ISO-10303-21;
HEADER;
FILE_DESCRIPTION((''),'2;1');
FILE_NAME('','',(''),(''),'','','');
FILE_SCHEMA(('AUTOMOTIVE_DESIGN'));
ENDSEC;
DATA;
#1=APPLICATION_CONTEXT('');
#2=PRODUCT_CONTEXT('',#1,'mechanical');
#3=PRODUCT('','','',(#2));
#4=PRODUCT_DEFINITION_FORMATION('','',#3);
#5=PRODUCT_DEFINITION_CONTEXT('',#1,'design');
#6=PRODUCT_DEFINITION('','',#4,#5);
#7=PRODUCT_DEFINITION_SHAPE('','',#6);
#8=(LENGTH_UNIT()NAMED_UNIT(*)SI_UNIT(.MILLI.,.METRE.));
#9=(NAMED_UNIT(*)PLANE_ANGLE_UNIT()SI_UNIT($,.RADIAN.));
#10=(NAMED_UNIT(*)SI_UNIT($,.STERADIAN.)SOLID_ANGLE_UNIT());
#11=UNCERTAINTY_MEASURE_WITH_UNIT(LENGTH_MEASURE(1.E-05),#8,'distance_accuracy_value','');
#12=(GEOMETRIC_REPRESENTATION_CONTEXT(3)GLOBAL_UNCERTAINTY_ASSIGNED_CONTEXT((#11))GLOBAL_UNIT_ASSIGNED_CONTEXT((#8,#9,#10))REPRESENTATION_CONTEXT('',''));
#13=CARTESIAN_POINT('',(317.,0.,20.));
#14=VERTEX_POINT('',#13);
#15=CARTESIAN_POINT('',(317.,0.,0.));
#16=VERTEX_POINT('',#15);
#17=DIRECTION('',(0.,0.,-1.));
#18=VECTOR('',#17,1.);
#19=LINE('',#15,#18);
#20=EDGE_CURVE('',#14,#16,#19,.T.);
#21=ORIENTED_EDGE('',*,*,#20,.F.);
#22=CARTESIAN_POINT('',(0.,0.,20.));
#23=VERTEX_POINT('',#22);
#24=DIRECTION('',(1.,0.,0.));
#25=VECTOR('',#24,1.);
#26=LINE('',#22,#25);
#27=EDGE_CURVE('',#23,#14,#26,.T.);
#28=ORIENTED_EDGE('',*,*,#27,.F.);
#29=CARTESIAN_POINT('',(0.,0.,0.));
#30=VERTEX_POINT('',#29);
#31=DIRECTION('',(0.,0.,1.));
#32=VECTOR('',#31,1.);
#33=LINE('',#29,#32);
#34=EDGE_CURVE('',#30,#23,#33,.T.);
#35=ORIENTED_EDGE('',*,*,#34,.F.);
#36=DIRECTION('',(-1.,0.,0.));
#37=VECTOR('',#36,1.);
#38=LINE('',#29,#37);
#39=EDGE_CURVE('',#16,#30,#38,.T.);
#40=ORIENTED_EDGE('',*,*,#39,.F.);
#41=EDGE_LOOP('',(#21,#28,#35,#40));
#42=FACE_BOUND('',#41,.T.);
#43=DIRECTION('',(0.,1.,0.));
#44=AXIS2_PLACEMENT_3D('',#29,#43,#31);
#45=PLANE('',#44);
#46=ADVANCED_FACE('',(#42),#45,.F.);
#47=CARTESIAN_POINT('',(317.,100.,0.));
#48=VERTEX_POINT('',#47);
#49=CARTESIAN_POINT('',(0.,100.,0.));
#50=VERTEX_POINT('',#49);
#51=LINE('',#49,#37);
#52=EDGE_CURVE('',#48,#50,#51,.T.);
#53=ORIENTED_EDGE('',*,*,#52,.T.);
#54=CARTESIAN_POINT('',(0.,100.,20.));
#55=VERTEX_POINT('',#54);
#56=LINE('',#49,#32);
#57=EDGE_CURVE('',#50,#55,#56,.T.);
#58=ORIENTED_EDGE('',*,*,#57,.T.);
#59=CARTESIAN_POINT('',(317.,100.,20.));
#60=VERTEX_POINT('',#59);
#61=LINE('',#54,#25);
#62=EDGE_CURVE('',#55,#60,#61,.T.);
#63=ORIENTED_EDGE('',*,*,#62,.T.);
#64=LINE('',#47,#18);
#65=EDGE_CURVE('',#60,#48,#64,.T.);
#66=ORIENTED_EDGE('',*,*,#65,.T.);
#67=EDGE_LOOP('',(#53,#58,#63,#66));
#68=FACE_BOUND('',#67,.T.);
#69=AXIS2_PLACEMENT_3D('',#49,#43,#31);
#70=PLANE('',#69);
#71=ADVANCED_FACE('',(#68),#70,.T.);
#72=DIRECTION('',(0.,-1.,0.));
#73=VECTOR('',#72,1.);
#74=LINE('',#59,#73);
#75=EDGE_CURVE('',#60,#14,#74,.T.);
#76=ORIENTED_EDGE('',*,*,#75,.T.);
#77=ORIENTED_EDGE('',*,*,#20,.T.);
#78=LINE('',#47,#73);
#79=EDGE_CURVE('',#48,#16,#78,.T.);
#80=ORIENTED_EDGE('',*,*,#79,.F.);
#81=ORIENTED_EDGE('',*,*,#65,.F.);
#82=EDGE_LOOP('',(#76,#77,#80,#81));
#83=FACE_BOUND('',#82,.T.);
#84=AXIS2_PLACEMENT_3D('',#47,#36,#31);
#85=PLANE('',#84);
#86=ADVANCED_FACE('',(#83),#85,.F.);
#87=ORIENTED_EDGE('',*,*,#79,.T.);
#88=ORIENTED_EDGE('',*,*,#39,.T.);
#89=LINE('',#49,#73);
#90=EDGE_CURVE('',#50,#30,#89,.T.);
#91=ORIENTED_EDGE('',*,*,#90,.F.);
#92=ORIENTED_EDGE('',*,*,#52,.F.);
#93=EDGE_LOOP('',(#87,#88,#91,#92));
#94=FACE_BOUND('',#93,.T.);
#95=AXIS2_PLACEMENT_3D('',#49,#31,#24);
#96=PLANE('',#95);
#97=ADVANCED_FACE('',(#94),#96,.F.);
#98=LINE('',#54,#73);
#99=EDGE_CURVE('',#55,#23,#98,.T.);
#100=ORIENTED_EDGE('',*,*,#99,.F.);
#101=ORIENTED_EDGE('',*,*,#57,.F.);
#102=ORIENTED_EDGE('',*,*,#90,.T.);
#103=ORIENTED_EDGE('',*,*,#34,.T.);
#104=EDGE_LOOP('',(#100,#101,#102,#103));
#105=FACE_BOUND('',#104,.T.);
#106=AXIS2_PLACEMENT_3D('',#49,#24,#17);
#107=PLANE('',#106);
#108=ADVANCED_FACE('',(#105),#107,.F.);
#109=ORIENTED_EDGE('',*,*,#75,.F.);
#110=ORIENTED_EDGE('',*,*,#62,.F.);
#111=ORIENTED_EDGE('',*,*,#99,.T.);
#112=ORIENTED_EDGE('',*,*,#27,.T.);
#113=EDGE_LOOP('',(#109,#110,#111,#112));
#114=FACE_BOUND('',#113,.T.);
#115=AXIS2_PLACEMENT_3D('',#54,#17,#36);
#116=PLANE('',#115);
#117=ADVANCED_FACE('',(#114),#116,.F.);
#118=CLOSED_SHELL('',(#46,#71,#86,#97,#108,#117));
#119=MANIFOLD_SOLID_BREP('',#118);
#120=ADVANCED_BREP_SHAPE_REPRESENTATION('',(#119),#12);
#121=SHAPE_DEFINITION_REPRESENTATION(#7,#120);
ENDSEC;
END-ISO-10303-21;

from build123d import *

# Parameters (mm, degrees)
SKETCH_1_W      = 317
SKETCH_1_H      = 20
EXTRUDE_1_DEPTH = 100


with BuildPart() as part:
    # 草图1 → 凸台-拉伸1 (new body)
    with BuildSketch(Plane(origin=(0, 0, 0), x_dir=(1, 0, 0), z_dir=(0, 1, 0))):
        with Locations((158.5, -10)):
            Rectangle(SKETCH_1_W, SKETCH_1_H)
    extrude(amount=EXTRUDE_1_DEPTH)


solid = part.part
